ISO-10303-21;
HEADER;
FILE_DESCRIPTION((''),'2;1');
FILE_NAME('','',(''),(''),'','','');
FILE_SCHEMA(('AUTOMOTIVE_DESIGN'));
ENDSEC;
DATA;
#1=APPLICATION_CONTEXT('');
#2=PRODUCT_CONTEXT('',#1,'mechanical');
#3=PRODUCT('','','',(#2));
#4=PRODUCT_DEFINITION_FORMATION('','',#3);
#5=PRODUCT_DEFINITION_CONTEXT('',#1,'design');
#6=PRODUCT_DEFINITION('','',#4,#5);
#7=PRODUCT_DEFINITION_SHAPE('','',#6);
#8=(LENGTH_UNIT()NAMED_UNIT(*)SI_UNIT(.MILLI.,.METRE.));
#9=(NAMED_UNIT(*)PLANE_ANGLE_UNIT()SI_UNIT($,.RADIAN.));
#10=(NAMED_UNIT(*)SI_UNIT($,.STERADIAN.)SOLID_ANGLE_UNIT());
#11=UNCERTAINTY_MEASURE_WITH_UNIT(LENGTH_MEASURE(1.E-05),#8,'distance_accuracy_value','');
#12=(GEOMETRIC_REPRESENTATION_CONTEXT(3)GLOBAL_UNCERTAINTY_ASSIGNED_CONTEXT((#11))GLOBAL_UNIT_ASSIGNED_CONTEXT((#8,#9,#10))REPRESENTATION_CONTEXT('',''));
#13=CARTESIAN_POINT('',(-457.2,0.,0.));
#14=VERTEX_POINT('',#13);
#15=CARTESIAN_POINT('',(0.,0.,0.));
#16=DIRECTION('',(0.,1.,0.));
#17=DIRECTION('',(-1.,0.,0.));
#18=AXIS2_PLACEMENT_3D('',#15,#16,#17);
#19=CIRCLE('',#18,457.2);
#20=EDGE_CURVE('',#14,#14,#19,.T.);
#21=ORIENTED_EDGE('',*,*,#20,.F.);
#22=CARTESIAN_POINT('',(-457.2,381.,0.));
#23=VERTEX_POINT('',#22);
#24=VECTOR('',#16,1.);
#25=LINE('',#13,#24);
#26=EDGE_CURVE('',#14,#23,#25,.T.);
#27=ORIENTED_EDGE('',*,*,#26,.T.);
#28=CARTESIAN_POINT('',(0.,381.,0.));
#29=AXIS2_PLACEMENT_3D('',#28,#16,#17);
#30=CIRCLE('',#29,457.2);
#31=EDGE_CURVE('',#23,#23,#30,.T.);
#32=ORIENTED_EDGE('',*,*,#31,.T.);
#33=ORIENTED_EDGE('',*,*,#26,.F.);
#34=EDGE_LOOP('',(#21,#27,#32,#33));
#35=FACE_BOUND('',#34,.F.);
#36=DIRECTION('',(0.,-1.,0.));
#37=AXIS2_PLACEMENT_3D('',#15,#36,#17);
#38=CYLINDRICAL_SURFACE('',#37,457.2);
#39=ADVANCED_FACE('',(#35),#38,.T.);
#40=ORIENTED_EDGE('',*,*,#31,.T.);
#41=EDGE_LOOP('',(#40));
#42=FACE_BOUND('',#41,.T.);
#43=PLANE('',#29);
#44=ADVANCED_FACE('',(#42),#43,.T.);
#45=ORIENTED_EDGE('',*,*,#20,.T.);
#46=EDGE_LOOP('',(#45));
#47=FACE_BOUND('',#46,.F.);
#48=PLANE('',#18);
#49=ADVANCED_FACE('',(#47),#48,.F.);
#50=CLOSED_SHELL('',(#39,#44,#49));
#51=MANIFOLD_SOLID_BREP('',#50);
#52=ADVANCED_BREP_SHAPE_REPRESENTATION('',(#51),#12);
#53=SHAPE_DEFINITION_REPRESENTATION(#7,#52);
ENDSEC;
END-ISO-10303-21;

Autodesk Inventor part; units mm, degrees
ref_plane "YZ Plane" through (0, 0, 0) normal (1, 0, 0) x (0, 1, 0)
ref_plane "XZ Plane" through (0, 0, 0) normal (0, 1, 0) x (-1, 0, 0)
ref_plane "XY Plane" through (0, 0, 0) normal (0, 0, 1) x (1, 0, 0)
sketch "Sketch1" plane through (0, 0, 0) normal (0, 1, 0) x (-1, 0, 0)
  circle A0 centre (0, 0) radius 457.2
  dimension "d0" = 914.4
extrude "Extrusion1" add sketch "Sketch1" along normal blind 381
properties part number "NestPost-ver1-1111-2021"
